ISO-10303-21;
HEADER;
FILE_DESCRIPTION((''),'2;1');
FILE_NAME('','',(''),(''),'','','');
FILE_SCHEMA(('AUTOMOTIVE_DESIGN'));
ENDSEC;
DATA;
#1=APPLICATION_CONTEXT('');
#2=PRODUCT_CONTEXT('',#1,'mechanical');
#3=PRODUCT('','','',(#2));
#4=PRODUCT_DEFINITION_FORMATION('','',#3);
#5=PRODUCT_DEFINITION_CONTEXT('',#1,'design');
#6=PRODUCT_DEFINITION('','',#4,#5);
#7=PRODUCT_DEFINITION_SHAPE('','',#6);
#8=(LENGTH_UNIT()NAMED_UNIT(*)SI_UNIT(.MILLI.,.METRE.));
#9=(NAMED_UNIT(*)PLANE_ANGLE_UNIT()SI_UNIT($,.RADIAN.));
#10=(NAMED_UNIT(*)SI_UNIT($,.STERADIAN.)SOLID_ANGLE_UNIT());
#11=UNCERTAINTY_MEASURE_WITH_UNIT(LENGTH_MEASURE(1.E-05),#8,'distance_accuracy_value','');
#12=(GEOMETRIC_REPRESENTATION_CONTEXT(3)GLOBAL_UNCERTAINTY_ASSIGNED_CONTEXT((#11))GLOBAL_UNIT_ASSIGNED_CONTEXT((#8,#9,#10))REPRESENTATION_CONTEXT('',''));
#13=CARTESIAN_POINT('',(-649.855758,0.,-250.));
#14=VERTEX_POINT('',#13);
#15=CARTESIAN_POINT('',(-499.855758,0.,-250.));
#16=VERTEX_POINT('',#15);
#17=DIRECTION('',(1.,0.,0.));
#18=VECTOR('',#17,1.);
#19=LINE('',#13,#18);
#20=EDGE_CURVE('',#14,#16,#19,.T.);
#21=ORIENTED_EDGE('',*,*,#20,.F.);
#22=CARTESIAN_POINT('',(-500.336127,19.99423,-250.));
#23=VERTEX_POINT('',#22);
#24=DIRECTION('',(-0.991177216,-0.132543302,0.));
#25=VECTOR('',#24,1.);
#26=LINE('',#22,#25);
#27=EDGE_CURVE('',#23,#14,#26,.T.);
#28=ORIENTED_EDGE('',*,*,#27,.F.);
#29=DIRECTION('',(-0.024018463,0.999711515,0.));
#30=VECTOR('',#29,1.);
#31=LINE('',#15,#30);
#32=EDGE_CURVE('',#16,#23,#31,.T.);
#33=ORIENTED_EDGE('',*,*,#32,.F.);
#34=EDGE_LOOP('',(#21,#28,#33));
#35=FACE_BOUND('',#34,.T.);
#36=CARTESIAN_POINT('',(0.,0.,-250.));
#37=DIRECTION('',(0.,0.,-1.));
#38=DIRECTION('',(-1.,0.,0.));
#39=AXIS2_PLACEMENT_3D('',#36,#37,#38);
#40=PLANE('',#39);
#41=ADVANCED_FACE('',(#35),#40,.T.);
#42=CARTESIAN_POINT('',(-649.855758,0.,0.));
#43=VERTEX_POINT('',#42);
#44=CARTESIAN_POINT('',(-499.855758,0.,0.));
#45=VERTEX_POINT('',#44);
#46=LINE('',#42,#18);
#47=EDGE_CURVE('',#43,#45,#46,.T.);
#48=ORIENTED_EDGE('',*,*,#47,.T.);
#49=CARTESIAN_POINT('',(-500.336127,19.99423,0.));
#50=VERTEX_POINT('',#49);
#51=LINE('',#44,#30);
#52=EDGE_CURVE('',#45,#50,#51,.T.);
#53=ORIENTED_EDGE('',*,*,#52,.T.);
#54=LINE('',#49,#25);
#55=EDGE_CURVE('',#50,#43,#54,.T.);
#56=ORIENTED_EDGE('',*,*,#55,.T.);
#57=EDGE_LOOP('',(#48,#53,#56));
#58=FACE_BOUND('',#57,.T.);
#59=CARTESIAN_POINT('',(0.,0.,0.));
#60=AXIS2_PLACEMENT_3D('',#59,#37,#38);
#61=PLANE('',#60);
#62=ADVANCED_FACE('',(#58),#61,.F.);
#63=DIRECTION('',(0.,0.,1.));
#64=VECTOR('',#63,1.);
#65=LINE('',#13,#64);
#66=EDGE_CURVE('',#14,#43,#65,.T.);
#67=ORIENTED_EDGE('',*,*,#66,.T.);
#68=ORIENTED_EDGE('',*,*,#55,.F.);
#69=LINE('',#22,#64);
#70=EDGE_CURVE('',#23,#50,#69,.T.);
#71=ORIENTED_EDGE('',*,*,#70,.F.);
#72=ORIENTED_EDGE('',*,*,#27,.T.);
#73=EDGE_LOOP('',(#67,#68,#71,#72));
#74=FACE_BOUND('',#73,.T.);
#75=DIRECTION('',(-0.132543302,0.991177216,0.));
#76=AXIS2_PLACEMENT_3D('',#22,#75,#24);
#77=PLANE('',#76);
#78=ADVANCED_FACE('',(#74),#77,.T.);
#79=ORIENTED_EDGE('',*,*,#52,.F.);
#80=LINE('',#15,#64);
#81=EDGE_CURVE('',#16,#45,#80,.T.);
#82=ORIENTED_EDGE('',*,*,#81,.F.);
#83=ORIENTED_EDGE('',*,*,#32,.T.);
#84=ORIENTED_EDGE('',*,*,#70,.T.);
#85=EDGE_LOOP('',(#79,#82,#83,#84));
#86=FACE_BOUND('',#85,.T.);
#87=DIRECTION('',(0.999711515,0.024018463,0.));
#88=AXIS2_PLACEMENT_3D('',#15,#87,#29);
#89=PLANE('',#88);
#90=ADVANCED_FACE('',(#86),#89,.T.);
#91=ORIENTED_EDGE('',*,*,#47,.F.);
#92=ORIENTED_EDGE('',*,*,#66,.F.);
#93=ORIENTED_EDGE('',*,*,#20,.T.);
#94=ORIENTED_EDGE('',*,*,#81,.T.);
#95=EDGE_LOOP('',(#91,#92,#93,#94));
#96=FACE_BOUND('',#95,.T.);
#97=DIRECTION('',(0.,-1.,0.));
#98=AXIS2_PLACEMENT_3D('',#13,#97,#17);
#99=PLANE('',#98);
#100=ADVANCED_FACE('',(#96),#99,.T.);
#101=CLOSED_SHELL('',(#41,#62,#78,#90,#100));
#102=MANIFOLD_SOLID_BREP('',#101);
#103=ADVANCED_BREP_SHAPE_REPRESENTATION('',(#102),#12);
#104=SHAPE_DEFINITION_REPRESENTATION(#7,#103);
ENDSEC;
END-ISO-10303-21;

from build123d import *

# Parameters (mm, degrees)
BOSS_EXTRUDE1_DEPTH = 250


with BuildPart() as part:
    # Sketch4 → Boss-Extrude1 (new body)
    with BuildSketch(Plane.XY):
        Polygon((-500.336126813, 19.994230302), (-649.855757552, 0), (-499.855757552, 0), align=None)
    extrude(amount=-BOSS_EXTRUDE1_DEPTH)


solid = part.part
